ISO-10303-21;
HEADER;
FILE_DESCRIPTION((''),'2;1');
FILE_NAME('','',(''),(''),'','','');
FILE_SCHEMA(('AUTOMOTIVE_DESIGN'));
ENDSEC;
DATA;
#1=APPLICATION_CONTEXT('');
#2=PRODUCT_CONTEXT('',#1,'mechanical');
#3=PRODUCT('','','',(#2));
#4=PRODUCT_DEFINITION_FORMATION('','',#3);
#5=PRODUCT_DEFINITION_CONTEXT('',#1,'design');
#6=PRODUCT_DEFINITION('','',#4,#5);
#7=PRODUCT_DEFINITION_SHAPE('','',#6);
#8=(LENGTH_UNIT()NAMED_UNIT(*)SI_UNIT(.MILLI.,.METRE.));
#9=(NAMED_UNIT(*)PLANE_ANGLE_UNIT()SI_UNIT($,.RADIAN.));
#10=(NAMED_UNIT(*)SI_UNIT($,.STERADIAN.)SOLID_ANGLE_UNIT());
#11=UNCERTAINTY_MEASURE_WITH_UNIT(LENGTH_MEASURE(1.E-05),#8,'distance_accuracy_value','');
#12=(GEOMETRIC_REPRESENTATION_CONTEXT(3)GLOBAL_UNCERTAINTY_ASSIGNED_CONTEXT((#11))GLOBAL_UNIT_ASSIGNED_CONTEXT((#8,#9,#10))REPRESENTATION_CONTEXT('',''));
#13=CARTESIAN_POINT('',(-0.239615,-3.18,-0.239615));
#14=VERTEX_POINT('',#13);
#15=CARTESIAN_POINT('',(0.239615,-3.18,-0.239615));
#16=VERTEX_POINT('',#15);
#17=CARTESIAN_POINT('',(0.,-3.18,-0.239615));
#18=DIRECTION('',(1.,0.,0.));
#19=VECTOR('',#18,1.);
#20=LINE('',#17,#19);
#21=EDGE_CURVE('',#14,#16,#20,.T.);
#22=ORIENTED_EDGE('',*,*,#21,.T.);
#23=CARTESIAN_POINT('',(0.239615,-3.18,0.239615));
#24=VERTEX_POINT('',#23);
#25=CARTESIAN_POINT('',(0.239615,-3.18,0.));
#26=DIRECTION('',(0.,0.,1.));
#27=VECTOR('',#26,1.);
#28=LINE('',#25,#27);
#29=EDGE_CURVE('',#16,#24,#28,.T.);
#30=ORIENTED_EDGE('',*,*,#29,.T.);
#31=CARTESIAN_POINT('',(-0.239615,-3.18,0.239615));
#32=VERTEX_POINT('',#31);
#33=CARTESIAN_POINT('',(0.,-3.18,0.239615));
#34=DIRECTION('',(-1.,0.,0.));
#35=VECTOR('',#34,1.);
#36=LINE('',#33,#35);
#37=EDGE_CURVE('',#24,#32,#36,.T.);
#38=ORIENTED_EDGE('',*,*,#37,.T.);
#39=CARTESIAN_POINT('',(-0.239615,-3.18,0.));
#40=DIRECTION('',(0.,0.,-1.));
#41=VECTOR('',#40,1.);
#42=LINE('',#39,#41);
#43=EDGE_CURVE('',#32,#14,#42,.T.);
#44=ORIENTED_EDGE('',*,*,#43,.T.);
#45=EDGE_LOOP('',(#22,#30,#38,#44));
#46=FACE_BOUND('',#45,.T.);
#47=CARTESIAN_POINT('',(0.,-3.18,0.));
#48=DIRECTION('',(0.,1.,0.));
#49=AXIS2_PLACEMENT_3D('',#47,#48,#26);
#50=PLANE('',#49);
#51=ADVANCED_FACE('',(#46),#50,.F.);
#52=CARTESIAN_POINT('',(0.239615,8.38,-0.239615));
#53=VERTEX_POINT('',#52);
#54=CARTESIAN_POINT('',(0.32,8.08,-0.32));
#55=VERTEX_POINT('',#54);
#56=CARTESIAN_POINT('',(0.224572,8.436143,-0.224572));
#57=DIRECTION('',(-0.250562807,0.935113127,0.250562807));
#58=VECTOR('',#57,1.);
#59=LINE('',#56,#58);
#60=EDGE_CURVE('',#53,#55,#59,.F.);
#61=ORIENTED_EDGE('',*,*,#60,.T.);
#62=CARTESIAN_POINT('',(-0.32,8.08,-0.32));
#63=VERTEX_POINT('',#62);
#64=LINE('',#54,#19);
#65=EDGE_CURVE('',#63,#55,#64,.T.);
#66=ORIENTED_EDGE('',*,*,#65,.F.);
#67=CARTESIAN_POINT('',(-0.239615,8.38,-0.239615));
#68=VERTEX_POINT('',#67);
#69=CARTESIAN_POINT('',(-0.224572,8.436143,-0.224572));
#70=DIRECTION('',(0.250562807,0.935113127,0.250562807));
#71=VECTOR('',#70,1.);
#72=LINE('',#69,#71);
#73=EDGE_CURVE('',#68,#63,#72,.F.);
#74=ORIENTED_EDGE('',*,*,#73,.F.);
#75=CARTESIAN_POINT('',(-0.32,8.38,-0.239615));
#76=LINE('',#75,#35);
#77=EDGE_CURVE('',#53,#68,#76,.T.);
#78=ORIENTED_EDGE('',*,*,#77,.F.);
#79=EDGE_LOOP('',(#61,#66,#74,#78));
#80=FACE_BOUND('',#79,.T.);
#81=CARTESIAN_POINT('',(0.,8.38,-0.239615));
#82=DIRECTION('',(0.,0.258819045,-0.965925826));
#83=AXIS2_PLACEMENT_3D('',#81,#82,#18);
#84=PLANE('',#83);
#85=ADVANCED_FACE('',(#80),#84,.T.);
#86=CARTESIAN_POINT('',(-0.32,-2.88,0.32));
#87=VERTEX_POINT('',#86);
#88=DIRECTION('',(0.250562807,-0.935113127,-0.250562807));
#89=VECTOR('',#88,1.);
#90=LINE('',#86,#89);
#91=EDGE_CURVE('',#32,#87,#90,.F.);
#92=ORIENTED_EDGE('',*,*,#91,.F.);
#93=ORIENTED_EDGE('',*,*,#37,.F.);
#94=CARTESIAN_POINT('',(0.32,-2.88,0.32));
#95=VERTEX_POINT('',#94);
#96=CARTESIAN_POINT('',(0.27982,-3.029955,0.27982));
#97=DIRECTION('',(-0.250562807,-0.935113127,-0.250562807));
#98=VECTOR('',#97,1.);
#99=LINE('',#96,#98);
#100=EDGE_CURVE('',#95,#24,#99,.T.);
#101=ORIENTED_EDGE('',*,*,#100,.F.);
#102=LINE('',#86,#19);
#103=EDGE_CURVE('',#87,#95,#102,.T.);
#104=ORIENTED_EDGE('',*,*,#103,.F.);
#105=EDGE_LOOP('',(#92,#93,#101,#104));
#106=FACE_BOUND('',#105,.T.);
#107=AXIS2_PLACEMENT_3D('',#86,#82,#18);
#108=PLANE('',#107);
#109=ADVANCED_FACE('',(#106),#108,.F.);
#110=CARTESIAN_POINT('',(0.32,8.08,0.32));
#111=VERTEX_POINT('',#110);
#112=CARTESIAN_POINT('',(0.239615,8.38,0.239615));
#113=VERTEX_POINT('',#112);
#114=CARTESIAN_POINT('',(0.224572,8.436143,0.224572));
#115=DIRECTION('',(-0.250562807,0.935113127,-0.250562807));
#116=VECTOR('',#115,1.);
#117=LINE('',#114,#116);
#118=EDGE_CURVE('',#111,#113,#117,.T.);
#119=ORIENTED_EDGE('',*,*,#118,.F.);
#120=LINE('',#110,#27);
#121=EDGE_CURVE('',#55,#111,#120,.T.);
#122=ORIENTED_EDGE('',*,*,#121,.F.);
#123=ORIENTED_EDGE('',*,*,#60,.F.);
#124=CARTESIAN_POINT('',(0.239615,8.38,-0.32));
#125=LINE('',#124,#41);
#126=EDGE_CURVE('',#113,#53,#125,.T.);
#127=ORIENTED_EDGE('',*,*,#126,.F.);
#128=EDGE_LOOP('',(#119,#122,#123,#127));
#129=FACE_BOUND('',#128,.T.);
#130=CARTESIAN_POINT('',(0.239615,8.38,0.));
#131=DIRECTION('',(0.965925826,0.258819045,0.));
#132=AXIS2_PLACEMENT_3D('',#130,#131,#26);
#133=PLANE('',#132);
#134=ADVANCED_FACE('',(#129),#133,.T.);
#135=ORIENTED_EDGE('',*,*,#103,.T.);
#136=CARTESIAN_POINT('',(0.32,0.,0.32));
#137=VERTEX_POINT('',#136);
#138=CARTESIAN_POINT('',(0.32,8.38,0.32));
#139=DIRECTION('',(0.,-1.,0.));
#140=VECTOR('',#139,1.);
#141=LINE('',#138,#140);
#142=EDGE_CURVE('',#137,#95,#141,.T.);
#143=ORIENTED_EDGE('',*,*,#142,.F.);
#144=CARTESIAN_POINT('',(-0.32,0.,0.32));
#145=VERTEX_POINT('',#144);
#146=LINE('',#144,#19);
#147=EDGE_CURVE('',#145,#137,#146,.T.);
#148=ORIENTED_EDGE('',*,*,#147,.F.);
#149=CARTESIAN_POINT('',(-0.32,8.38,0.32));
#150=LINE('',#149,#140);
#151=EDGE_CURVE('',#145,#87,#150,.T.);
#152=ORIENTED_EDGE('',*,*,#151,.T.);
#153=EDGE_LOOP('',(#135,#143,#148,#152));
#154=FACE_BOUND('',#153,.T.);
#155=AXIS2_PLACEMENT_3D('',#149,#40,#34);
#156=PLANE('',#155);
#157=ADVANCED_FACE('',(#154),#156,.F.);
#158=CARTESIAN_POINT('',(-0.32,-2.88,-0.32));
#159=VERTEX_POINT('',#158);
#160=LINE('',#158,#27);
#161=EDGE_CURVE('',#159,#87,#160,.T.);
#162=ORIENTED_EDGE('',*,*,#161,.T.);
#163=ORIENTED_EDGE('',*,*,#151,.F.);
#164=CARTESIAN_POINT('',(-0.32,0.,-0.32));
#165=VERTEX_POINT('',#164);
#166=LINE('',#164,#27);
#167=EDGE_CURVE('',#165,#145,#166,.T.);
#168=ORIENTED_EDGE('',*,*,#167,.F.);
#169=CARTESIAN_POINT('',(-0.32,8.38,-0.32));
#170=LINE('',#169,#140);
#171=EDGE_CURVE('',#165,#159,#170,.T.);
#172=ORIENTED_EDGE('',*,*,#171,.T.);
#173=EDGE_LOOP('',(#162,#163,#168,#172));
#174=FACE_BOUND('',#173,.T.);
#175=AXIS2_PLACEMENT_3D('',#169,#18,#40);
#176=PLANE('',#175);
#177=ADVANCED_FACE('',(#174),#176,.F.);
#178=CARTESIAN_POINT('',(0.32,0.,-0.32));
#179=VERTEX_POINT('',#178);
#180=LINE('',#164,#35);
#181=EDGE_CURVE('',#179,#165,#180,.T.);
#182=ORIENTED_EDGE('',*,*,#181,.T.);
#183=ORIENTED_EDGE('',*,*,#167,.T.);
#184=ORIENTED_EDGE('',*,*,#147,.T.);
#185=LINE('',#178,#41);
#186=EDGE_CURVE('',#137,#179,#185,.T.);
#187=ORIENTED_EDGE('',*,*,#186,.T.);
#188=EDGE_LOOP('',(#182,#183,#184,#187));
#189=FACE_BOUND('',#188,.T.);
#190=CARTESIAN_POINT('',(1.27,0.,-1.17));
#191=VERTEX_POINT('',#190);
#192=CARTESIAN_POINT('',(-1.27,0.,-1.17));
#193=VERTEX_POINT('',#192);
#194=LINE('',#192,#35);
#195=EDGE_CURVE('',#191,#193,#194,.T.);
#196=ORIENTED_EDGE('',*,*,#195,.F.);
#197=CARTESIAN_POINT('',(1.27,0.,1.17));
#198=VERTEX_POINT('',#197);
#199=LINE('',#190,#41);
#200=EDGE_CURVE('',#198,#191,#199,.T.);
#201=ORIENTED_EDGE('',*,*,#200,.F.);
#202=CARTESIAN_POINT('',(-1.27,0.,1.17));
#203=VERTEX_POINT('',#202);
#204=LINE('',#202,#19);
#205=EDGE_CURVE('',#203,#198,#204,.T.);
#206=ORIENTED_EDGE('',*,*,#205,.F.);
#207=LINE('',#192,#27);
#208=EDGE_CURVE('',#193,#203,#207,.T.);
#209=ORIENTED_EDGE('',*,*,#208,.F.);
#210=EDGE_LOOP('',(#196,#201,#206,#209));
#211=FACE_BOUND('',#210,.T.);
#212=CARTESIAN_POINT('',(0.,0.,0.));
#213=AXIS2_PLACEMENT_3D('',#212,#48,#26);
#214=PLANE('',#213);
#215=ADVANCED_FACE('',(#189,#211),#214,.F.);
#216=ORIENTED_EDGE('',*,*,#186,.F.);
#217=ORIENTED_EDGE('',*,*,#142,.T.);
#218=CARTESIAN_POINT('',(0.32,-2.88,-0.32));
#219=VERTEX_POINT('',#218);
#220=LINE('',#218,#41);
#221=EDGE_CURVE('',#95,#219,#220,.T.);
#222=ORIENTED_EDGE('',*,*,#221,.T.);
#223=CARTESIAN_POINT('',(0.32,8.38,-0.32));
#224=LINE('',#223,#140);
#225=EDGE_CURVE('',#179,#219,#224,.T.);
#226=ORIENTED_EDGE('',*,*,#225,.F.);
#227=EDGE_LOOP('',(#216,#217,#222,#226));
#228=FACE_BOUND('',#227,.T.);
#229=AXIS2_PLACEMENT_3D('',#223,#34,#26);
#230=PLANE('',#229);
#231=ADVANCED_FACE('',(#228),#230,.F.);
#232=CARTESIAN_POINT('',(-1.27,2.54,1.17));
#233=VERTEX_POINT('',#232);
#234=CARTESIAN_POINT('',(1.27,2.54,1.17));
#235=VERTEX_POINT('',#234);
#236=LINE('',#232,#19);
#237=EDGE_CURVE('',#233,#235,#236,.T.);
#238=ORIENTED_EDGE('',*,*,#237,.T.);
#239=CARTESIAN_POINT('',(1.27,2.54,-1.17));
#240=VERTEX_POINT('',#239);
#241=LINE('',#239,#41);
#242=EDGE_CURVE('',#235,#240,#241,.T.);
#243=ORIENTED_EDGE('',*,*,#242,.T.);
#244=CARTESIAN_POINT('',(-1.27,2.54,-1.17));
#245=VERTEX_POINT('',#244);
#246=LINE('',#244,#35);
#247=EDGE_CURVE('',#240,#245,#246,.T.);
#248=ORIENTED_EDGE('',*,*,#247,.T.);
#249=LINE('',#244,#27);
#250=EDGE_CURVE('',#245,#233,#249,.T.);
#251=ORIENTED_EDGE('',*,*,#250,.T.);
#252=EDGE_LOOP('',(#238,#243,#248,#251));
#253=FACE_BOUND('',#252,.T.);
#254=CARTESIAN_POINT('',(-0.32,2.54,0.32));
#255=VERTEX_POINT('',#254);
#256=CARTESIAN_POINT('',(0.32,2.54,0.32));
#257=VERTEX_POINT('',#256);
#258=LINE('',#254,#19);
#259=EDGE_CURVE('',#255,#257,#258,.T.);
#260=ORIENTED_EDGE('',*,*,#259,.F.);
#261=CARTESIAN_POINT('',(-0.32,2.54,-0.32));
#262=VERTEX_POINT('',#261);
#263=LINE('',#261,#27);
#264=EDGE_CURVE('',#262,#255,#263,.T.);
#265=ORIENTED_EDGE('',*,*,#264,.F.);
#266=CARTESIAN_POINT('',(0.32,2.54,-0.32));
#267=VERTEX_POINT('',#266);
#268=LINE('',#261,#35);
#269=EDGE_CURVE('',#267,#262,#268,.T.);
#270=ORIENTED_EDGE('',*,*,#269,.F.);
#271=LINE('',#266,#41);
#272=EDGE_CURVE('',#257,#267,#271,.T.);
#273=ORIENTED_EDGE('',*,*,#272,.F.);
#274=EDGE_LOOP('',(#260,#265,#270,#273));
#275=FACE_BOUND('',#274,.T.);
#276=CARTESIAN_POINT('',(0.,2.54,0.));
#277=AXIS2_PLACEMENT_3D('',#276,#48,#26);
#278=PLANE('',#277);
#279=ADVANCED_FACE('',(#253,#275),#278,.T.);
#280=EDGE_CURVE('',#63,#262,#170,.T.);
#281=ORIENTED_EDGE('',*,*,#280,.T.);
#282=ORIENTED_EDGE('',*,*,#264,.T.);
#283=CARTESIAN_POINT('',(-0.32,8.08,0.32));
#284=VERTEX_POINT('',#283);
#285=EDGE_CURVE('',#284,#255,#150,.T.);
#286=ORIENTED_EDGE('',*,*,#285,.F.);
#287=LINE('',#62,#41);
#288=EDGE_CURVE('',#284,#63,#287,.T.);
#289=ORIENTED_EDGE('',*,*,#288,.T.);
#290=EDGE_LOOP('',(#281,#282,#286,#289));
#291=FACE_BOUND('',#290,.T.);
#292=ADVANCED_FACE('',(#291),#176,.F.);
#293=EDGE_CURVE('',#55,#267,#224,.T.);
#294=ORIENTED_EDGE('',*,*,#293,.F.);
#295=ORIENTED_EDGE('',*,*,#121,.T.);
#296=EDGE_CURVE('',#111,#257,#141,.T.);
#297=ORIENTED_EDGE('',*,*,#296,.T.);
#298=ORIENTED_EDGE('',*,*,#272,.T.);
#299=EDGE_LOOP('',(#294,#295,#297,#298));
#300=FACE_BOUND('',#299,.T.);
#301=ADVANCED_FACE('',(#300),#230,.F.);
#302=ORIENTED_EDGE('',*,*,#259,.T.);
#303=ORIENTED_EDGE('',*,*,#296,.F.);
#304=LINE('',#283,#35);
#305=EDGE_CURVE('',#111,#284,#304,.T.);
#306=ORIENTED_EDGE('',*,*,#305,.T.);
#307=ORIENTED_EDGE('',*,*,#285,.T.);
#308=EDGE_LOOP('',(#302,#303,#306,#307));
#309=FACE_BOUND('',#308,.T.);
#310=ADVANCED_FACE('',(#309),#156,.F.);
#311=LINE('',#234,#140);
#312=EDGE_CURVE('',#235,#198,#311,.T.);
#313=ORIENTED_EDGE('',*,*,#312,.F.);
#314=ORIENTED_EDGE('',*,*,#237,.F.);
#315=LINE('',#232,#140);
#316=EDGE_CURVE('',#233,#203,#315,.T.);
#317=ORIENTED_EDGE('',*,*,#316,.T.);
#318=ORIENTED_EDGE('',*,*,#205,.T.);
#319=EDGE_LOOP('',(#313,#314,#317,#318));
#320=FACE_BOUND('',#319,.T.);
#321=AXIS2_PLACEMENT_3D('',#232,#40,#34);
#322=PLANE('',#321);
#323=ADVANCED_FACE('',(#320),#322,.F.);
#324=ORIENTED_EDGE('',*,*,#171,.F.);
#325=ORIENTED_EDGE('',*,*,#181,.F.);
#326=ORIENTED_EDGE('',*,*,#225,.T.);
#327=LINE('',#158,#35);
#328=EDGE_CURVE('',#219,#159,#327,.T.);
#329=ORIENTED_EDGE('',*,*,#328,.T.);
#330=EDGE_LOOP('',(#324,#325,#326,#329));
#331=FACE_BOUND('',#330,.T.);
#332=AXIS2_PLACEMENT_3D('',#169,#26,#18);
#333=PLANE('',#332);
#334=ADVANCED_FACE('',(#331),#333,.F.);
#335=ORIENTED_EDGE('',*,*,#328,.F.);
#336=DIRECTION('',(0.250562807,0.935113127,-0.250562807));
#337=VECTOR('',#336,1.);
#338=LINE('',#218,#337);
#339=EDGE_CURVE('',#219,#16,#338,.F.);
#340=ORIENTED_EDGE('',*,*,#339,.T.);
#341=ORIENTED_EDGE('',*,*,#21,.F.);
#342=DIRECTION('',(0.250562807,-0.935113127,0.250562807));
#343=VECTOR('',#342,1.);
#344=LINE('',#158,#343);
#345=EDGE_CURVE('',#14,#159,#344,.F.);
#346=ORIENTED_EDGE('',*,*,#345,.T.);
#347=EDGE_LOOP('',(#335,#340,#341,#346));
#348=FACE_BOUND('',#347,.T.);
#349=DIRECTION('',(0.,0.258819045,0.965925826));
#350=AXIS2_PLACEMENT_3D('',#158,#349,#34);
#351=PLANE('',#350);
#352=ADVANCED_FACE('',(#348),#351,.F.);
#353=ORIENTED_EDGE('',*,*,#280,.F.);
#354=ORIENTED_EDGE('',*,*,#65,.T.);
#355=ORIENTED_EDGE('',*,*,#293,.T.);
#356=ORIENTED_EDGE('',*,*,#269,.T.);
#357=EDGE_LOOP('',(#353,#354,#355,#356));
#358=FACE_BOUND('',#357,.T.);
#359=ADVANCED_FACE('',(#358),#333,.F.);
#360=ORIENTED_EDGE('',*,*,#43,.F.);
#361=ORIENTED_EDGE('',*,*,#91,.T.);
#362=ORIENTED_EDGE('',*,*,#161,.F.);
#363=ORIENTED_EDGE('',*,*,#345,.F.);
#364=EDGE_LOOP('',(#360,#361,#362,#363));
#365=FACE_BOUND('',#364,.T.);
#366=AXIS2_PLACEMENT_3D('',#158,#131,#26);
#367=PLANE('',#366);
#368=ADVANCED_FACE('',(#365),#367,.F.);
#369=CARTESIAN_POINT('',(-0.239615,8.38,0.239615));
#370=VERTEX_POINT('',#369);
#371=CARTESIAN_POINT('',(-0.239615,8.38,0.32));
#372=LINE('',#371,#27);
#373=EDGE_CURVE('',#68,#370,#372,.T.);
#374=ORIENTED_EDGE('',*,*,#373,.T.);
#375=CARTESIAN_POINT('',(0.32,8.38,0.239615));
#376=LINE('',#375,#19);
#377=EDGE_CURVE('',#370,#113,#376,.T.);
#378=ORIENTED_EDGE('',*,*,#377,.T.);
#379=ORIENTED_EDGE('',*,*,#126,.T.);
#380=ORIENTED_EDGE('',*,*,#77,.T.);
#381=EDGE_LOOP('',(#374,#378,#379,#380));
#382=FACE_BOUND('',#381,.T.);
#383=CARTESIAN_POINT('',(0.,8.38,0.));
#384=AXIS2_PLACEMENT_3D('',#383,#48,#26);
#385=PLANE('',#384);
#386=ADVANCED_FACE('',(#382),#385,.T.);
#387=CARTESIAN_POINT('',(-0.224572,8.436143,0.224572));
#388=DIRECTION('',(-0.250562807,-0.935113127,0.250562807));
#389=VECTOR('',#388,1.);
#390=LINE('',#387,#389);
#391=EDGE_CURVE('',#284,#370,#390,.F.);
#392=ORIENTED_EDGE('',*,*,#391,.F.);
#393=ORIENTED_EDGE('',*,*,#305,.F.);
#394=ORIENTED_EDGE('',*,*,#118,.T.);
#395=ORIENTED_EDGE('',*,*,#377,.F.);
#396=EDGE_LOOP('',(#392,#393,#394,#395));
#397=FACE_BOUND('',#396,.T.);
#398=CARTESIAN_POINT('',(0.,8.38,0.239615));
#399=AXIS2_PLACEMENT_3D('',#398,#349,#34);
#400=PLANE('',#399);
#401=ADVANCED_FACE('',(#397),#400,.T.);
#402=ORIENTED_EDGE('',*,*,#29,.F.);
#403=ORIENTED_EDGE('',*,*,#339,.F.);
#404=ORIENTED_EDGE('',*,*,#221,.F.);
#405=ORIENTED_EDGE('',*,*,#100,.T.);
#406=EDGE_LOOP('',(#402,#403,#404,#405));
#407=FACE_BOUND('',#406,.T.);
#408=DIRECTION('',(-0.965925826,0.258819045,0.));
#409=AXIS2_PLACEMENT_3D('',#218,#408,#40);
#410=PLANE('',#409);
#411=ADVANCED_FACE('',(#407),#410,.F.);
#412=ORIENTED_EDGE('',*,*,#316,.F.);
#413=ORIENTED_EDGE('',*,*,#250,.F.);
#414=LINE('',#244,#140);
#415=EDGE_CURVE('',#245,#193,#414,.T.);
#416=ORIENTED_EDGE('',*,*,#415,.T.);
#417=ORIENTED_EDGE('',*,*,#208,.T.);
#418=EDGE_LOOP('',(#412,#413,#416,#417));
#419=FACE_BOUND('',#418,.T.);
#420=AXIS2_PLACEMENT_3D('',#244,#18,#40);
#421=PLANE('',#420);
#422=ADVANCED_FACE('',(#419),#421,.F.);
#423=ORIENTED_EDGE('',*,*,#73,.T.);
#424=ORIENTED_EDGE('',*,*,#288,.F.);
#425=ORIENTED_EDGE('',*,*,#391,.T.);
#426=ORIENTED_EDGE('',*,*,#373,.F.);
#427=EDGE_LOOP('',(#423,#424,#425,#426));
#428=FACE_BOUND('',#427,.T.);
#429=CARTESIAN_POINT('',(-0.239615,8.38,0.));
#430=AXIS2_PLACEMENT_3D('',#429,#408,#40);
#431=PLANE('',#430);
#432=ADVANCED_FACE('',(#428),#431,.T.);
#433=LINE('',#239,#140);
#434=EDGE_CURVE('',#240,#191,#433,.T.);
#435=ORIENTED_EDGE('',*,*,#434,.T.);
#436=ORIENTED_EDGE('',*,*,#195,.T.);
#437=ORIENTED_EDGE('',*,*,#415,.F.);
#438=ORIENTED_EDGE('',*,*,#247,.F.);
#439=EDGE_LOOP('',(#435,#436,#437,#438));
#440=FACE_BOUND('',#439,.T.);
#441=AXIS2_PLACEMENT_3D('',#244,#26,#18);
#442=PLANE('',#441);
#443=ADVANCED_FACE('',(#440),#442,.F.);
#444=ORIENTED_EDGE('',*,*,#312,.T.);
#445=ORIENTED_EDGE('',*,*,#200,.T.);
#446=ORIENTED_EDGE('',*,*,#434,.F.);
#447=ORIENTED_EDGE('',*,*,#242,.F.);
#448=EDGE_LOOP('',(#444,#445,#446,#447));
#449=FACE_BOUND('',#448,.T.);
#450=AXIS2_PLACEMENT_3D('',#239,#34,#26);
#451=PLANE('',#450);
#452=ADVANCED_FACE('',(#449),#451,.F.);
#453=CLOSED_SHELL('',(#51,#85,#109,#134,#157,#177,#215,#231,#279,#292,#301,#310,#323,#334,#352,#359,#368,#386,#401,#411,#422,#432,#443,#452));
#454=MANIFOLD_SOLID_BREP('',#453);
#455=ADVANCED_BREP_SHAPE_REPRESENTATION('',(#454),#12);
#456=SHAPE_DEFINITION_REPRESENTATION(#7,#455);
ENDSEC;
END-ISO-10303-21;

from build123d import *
from OCP.BRepFilletAPI import BRepFilletAPI_MakeChamfer

# Parameters (mm, degrees)
BOSS_EXTRUDE1_DEPTH      = 8.38
BOSS_EXTRUDE1_DEPTH_BACK = 3.18
SKETCH1_W                = 0.64
SKETCH1_H                = 0.64
SKETCH2_W                = 2.54
SKETCH2_H                = 2.34
BOSS_EXTRUDE2_DEPTH      = 2.54
CHAMFER1_SIZE            = 0.3
CHAMFER1_SIZE2           = 0.080384758


with BuildPart() as part:
    # Sketch1 → Boss-Extrude1 (new, two sides: drawn at the far end of the back side and taken through both)
    with BuildSketch(Plane(origin=(0, 0, 0), x_dir=(1, 0, 0), z_dir=(0, 1, 0)).offset(-BOSS_EXTRUDE1_DEPTH_BACK)):
        Rectangle(SKETCH1_W, SKETCH1_H)
    extrude(amount=BOSS_EXTRUDE1_DEPTH + BOSS_EXTRUDE1_DEPTH_BACK)

    # Sketch2 → Boss-Extrude2 (add)
    with BuildSketch(Plane(origin=(0, 0, 0), x_dir=(1, 0, 0), z_dir=(0, 1, 0))):
        Rectangle(SKETCH2_W, SKETCH2_H)
    extrude(amount=BOSS_EXTRUDE2_DEPTH)

    # Chamfer1: one chamfer whose edges measure the first distance from different faces: ONE call of the kernel's chamfer builder (chamfer() names one face for all edges)
    chamfer1_edges_1 = [part.edges().sort_by_distance(p)[0] for p in [
        (-0.32, 8.38, 0),
    ]]
    chamfer1_side_1 = [part.faces().sort_by_distance(p)[0] for p in [
        (-0.32, 5.46, 0),
    ]]
    chamfer1_edges_2 = [part.edges().sort_by_distance(p)[0] for p in [
        (0.32, -3.18, 0),
    ]]
    chamfer1_side_2 = [part.faces().sort_by_distance(p)[0] for p in [
        (0.32, -1.59, 0),
    ]]
    chamfer1_edges_3 = [part.edges().sort_by_distance(p)[0] for p in [
        (0, -3.18, 0.32),
    ]]
    chamfer1_side_3 = [part.faces().sort_by_distance(p)[0] for p in [
        (0, -1.59, 0.32),
    ]]
    chamfer1_edges_4 = [part.edges().sort_by_distance(p)[0] for p in [
        (-0.32, -3.18, 0),
    ]]
    chamfer1_side_4 = [part.faces().sort_by_distance(p)[0] for p in [
        (-0.32, -1.59, 0),
    ]]
    chamfer1_edges_5 = [part.edges().sort_by_distance(p)[0] for p in [
        (0, -3.18, -0.32),
    ]]
    chamfer1_side_5 = [part.faces().sort_by_distance(p)[0] for p in [
        (0, -1.59, -0.32),
    ]]
    chamfer1_edges_6 = [part.edges().sort_by_distance(p)[0] for p in [
        (0, 8.38, 0.32),
    ]]
    chamfer1_side_6 = [part.faces().sort_by_distance(p)[0] for p in [
        (0, 5.46, 0.32),
    ]]
    chamfer1_edges_7 = [part.edges().sort_by_distance(p)[0] for p in [
        (0.32, 8.38, 0),
    ]]
    chamfer1_side_7 = [part.faces().sort_by_distance(p)[0] for p in [
        (0.32, 5.46, 0),
    ]]
    chamfer1_edges_8 = [part.edges().sort_by_distance(p)[0] for p in [
        (0, 8.38, -0.32),
    ]]
    chamfer1_side_8 = [part.faces().sort_by_distance(p)[0] for p in [
        (0, 5.46, -0.32),
    ]]
    chamfer1 = BRepFilletAPI_MakeChamfer(part.part.solid().wrapped)
    for e in chamfer1_edges_1:
        chamfer1.Add(CHAMFER1_SIZE, CHAMFER1_SIZE2, e.wrapped, chamfer1_side_1[0].wrapped)  # the first distance lies on this face
    for e in chamfer1_edges_2:
        chamfer1.Add(CHAMFER1_SIZE, CHAMFER1_SIZE2, e.wrapped, chamfer1_side_2[0].wrapped)  # the first distance lies on this face
    for e in chamfer1_edges_3:
        chamfer1.Add(CHAMFER1_SIZE, CHAMFER1_SIZE2, e.wrapped, chamfer1_side_3[0].wrapped)  # the first distance lies on this face
    for e in chamfer1_edges_4:
        chamfer1.Add(CHAMFER1_SIZE, CHAMFER1_SIZE2, e.wrapped, chamfer1_side_4[0].wrapped)  # the first distance lies on this face
    for e in chamfer1_edges_5:
        chamfer1.Add(CHAMFER1_SIZE, CHAMFER1_SIZE2, e.wrapped, chamfer1_side_5[0].wrapped)  # the first distance lies on this face
    for e in chamfer1_edges_6:
        chamfer1.Add(CHAMFER1_SIZE, CHAMFER1_SIZE2, e.wrapped, chamfer1_side_6[0].wrapped)  # the first distance lies on this face
    for e in chamfer1_edges_7:
        chamfer1.Add(CHAMFER1_SIZE, CHAMFER1_SIZE2, e.wrapped, chamfer1_side_7[0].wrapped)  # the first distance lies on this face
    for e in chamfer1_edges_8:
        chamfer1.Add(CHAMFER1_SIZE, CHAMFER1_SIZE2, e.wrapped, chamfer1_side_8[0].wrapped)  # the first distance lies on this face
    add(Compound.cast(chamfer1.Shape()), mode=Mode.REPLACE)


solid = part.part
